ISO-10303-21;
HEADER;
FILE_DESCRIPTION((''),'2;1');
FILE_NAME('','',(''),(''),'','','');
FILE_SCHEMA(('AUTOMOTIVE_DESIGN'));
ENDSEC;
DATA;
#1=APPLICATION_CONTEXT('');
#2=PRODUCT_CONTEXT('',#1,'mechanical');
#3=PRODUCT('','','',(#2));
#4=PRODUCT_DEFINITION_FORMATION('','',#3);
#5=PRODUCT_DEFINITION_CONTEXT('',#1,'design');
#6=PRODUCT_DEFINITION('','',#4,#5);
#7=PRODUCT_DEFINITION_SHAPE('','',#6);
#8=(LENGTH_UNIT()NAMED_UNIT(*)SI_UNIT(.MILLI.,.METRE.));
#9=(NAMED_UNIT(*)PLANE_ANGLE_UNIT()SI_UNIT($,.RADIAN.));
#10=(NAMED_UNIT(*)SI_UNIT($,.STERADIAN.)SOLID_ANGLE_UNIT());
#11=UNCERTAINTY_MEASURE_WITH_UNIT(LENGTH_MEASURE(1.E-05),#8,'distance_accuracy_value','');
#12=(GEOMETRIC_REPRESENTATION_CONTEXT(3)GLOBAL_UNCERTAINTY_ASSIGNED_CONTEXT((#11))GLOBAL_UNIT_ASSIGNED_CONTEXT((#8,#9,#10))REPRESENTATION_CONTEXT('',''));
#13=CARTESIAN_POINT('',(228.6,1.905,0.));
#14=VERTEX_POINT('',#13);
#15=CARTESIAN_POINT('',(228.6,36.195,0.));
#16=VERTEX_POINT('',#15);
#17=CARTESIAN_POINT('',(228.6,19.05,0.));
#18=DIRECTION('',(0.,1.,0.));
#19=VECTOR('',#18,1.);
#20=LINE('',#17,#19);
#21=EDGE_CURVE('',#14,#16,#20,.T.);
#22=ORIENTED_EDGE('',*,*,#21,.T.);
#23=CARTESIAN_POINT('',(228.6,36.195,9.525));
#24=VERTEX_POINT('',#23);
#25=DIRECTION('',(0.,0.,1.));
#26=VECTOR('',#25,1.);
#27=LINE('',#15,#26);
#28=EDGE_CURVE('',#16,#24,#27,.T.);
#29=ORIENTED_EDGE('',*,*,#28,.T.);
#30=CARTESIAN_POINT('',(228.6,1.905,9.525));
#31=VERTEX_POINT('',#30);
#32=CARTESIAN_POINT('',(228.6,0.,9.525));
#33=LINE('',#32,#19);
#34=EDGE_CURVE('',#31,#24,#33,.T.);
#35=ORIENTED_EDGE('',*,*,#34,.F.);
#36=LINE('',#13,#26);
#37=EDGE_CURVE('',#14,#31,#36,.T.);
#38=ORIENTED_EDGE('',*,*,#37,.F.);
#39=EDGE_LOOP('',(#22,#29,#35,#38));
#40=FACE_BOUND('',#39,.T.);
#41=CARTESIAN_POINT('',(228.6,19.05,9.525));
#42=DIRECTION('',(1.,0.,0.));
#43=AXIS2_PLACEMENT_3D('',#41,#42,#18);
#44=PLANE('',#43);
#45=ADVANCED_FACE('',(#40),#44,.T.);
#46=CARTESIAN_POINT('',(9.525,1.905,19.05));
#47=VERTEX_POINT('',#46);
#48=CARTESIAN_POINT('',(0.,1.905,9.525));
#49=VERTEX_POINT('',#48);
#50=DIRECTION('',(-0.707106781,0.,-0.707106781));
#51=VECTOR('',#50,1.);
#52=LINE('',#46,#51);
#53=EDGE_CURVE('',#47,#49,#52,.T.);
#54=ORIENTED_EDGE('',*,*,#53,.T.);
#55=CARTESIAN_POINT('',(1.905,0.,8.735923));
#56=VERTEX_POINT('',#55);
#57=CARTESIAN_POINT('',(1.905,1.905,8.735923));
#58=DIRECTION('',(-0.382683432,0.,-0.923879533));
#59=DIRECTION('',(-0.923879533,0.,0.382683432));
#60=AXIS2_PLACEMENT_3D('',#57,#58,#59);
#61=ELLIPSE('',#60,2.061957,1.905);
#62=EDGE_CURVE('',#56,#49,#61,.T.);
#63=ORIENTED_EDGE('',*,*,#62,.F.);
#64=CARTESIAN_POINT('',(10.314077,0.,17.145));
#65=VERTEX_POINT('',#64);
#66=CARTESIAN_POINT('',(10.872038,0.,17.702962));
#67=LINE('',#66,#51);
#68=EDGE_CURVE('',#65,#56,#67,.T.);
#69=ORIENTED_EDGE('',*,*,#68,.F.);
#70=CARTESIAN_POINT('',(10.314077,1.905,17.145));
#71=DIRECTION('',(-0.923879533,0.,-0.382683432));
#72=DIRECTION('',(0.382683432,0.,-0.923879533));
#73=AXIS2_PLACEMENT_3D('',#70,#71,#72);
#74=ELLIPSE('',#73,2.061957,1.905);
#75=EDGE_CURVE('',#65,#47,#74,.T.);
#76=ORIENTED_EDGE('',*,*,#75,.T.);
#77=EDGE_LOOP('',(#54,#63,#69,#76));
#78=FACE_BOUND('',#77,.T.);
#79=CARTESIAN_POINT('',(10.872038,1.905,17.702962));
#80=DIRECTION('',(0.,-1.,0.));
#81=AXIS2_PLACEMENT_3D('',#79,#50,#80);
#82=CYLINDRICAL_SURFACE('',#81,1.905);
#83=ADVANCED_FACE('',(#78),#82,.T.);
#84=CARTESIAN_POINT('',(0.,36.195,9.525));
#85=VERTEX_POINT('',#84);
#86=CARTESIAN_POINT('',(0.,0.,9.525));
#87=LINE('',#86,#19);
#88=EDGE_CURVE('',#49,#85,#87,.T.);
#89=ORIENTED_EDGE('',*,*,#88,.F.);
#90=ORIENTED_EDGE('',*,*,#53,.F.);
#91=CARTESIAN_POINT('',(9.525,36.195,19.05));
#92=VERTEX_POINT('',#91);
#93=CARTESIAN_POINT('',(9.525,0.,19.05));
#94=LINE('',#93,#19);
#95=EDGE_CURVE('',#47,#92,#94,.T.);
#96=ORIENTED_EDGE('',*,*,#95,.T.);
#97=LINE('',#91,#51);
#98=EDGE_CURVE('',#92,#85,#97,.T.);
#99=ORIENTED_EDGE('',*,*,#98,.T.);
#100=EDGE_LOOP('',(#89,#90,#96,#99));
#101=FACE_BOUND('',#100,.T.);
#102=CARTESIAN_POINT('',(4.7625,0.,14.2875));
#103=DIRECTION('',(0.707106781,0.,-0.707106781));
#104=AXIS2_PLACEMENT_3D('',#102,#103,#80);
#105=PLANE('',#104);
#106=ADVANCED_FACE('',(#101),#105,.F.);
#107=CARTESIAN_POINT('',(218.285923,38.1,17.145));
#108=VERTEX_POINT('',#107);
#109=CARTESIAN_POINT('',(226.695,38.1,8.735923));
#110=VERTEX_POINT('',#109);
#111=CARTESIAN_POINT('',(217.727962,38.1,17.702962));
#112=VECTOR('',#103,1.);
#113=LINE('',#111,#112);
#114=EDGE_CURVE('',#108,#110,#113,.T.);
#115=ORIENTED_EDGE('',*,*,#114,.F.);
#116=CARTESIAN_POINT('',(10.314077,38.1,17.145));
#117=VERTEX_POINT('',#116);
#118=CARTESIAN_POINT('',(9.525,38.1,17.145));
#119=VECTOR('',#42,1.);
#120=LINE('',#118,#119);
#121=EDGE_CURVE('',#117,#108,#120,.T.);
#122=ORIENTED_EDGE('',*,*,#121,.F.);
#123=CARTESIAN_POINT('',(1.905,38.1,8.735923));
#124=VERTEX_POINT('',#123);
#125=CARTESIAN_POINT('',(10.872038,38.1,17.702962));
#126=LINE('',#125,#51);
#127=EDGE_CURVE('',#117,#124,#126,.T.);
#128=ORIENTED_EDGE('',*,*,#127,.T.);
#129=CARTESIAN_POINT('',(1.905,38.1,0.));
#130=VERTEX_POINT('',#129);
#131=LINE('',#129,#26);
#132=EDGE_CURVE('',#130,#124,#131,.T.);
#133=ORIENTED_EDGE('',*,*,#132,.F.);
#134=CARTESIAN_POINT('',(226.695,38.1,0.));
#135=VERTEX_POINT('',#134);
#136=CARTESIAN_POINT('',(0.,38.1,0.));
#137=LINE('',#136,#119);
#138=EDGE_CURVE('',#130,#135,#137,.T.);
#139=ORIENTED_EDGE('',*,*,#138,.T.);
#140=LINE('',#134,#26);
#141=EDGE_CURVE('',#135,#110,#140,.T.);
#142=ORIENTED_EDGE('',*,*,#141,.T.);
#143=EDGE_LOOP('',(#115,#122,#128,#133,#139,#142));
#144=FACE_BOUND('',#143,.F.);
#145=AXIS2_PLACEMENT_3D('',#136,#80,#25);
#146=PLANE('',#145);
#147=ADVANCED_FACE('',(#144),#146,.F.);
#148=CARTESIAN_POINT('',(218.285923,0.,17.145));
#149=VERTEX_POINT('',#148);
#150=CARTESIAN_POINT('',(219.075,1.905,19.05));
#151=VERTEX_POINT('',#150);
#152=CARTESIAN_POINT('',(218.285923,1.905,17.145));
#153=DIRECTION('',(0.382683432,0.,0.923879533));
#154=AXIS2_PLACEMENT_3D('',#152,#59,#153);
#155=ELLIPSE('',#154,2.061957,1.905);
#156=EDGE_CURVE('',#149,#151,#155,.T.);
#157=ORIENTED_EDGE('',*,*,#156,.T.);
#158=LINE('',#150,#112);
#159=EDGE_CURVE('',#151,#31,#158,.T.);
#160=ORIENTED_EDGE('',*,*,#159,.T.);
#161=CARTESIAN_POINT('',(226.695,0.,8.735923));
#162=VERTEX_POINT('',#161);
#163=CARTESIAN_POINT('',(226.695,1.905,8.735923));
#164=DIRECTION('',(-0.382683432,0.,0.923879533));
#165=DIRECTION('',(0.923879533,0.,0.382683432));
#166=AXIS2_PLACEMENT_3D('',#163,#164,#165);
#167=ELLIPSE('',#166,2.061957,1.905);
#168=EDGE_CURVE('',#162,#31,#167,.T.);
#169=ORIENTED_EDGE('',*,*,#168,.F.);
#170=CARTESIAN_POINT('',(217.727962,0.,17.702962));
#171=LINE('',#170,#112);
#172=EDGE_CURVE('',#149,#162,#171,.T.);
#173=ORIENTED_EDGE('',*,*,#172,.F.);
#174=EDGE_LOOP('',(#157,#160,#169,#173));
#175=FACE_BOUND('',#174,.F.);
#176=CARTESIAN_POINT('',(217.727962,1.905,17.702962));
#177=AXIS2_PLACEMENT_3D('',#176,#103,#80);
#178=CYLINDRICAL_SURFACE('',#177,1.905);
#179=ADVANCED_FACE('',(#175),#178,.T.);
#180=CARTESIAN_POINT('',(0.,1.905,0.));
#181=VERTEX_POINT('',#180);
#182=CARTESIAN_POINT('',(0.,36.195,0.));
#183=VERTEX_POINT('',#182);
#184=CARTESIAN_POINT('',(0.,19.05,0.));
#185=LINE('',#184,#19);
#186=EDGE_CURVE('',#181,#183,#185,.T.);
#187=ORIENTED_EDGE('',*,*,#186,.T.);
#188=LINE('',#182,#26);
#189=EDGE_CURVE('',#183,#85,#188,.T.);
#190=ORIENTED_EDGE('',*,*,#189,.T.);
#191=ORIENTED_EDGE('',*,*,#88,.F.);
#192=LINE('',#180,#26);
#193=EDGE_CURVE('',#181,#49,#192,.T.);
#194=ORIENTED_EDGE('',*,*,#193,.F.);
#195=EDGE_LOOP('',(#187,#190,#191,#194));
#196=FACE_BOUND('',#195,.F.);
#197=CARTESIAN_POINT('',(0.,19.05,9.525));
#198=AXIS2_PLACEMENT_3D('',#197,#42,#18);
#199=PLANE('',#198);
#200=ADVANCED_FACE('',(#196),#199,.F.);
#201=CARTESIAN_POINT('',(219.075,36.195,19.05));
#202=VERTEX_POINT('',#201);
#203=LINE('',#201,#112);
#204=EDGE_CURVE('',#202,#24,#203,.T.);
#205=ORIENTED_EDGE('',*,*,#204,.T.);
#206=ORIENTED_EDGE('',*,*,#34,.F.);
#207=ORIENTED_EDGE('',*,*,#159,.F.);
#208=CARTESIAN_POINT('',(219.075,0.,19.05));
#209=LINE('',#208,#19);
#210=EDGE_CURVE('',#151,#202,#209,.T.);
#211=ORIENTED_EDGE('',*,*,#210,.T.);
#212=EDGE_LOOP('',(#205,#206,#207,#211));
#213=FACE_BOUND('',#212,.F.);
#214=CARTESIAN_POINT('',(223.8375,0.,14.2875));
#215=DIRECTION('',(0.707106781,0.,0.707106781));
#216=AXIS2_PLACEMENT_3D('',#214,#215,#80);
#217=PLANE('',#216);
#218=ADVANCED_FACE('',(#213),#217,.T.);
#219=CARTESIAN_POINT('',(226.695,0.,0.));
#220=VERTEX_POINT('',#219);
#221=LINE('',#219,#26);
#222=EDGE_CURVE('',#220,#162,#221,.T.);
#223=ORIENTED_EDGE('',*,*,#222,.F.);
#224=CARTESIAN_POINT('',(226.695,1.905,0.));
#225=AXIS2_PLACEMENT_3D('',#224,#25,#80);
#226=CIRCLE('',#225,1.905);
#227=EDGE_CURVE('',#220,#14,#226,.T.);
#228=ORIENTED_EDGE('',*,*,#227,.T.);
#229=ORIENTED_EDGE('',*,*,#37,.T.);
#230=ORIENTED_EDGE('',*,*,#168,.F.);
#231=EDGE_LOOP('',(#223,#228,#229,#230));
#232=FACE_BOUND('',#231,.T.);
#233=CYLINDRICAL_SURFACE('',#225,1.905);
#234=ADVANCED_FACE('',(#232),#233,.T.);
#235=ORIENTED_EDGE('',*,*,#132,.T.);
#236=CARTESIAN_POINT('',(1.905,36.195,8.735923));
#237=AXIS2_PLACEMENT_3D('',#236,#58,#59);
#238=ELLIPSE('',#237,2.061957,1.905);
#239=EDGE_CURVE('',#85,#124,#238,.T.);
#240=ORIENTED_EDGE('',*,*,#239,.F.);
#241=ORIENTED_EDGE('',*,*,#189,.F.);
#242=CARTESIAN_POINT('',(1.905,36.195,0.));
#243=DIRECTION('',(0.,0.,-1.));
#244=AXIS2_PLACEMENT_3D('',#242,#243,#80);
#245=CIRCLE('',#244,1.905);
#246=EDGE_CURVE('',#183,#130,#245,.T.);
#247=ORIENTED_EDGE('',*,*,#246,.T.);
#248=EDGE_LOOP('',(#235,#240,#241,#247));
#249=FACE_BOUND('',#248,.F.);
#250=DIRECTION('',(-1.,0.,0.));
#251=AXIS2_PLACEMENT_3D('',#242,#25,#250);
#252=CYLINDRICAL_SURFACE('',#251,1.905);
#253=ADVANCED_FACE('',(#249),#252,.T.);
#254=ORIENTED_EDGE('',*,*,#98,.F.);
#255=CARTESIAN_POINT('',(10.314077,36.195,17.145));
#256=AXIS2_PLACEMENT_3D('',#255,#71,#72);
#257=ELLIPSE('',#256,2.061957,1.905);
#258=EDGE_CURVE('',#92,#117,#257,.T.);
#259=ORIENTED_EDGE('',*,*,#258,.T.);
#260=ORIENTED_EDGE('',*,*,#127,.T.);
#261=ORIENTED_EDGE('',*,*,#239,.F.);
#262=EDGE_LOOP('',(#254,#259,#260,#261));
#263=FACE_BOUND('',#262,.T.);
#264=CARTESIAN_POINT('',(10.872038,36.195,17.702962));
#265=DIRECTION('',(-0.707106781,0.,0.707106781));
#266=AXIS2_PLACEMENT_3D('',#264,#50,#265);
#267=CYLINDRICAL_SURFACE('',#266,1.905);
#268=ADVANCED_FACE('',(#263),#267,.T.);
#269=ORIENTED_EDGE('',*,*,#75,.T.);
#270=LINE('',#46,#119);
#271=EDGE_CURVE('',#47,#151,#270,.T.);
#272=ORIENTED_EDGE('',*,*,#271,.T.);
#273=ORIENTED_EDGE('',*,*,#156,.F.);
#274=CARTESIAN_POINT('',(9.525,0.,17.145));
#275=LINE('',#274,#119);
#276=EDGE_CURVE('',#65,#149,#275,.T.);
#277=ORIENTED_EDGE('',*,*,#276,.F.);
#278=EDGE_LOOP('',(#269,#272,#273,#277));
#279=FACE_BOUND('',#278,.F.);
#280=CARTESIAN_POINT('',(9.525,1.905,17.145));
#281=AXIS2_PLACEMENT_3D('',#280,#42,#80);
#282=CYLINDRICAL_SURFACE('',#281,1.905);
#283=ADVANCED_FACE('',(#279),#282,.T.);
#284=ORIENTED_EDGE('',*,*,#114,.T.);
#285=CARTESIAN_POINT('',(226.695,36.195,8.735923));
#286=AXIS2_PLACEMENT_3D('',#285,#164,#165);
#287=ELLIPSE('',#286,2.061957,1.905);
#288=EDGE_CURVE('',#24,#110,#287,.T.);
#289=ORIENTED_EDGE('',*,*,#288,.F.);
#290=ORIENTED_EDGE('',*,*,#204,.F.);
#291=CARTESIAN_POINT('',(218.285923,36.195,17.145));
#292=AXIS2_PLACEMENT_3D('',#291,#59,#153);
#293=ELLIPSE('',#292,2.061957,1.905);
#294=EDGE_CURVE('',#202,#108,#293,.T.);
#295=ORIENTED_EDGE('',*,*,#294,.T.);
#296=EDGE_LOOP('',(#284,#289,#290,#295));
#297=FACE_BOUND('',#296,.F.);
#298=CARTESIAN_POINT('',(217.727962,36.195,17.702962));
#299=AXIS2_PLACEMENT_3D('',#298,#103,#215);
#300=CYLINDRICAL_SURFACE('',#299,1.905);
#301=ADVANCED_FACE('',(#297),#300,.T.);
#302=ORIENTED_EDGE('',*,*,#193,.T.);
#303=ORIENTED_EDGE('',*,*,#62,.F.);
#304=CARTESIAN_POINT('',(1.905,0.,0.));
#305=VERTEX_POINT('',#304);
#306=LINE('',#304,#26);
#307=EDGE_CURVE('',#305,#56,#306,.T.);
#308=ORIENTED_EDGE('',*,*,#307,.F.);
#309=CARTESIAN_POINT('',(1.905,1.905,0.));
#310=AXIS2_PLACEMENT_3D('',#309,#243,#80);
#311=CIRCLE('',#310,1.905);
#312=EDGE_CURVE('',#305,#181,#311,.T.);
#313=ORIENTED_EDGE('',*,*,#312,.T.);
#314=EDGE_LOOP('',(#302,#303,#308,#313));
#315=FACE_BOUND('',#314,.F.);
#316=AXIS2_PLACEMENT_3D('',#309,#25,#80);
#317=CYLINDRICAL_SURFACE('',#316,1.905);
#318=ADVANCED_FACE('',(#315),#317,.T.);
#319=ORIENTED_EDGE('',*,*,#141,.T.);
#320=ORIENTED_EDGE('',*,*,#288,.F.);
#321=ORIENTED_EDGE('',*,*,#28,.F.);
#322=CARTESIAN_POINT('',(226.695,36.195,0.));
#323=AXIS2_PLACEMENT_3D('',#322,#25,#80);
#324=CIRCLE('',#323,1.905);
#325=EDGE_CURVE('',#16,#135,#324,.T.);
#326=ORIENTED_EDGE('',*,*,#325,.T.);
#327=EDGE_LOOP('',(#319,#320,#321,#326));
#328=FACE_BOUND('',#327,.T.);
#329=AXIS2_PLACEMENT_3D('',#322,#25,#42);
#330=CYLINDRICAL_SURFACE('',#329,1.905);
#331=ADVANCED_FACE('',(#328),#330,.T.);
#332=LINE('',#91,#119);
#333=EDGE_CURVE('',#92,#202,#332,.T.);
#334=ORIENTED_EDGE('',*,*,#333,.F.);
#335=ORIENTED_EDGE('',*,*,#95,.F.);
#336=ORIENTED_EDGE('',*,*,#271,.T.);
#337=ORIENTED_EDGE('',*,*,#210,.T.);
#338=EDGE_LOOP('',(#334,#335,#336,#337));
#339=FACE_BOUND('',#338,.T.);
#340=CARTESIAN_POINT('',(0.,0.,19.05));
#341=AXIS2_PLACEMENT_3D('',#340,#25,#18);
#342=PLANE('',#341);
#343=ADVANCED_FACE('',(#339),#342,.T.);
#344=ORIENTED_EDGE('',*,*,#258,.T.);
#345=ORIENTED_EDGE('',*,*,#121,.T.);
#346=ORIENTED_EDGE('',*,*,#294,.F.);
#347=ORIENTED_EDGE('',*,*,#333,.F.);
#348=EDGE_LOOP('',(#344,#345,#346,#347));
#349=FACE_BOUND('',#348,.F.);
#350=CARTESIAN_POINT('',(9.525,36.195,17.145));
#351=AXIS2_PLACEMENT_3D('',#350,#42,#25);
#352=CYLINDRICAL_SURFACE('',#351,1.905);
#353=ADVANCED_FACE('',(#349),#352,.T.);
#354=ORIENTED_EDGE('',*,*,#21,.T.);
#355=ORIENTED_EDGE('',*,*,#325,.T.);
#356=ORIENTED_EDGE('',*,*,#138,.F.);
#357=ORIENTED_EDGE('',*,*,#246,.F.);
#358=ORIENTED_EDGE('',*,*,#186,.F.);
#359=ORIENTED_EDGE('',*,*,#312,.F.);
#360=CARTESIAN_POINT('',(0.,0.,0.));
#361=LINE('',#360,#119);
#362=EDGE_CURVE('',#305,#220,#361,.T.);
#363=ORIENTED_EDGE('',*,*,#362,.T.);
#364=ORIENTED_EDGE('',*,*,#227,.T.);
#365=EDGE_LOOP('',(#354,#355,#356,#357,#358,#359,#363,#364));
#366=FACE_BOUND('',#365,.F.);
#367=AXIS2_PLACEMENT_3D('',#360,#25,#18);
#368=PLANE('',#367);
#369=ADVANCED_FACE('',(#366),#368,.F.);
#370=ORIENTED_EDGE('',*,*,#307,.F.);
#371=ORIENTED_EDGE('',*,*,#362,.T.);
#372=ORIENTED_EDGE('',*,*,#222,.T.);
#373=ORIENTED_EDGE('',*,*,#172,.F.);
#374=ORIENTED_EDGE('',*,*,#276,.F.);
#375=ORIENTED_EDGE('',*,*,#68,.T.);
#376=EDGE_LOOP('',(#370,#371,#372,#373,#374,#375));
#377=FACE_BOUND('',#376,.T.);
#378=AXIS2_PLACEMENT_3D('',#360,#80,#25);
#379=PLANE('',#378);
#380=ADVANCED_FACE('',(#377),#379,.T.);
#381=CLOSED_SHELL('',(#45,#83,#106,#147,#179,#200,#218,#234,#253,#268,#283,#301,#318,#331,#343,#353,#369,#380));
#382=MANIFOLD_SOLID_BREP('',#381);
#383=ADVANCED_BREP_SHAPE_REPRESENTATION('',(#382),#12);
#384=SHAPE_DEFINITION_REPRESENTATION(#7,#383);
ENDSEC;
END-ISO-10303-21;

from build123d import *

# Parameters (mm, degrees)
F0_W     = 38.1
F0_H     = 19.05
F1_DEPTH = 228.6
F2_SIZE  = 9.525
F3_R     = 1.905


with BuildPart() as f1:
    # F0 (on Right) → F1 (new body)
    with BuildSketch(Plane.YZ):
        with Locations((19.05, 9.525)):
            Rectangle(F0_W, F0_H)
    extrude(amount=F1_DEPTH)

    # F2
    f2_edges = [f1.edges().sort_by_distance(p)[0] for p in [
        (0, 19.05, 19.05),
        (228.6, 19.05, 19.05),
    ]]
    chamfer(f2_edges, length=F2_SIZE)

    # F3
    f3_edges = [f1.edges().sort_by_distance(p)[0] for p in [
        (114.3, 0, 19.05),
        (4.7625, 0, 14.2875),
        (0, 0, 4.7625),
        (223.8375, 0, 14.2875),
        (228.6, 0, 4.7625),
        (114.3, 38.1, 19.05),
        (4.7625, 38.1, 14.2875),
        (0, 38.1, 4.7625),
        (223.8375, 38.1, 14.2875),
        (228.6, 38.1, 4.7625),
    ]]
    fillet(f3_edges, radius=F3_R)


solid = f1.part
